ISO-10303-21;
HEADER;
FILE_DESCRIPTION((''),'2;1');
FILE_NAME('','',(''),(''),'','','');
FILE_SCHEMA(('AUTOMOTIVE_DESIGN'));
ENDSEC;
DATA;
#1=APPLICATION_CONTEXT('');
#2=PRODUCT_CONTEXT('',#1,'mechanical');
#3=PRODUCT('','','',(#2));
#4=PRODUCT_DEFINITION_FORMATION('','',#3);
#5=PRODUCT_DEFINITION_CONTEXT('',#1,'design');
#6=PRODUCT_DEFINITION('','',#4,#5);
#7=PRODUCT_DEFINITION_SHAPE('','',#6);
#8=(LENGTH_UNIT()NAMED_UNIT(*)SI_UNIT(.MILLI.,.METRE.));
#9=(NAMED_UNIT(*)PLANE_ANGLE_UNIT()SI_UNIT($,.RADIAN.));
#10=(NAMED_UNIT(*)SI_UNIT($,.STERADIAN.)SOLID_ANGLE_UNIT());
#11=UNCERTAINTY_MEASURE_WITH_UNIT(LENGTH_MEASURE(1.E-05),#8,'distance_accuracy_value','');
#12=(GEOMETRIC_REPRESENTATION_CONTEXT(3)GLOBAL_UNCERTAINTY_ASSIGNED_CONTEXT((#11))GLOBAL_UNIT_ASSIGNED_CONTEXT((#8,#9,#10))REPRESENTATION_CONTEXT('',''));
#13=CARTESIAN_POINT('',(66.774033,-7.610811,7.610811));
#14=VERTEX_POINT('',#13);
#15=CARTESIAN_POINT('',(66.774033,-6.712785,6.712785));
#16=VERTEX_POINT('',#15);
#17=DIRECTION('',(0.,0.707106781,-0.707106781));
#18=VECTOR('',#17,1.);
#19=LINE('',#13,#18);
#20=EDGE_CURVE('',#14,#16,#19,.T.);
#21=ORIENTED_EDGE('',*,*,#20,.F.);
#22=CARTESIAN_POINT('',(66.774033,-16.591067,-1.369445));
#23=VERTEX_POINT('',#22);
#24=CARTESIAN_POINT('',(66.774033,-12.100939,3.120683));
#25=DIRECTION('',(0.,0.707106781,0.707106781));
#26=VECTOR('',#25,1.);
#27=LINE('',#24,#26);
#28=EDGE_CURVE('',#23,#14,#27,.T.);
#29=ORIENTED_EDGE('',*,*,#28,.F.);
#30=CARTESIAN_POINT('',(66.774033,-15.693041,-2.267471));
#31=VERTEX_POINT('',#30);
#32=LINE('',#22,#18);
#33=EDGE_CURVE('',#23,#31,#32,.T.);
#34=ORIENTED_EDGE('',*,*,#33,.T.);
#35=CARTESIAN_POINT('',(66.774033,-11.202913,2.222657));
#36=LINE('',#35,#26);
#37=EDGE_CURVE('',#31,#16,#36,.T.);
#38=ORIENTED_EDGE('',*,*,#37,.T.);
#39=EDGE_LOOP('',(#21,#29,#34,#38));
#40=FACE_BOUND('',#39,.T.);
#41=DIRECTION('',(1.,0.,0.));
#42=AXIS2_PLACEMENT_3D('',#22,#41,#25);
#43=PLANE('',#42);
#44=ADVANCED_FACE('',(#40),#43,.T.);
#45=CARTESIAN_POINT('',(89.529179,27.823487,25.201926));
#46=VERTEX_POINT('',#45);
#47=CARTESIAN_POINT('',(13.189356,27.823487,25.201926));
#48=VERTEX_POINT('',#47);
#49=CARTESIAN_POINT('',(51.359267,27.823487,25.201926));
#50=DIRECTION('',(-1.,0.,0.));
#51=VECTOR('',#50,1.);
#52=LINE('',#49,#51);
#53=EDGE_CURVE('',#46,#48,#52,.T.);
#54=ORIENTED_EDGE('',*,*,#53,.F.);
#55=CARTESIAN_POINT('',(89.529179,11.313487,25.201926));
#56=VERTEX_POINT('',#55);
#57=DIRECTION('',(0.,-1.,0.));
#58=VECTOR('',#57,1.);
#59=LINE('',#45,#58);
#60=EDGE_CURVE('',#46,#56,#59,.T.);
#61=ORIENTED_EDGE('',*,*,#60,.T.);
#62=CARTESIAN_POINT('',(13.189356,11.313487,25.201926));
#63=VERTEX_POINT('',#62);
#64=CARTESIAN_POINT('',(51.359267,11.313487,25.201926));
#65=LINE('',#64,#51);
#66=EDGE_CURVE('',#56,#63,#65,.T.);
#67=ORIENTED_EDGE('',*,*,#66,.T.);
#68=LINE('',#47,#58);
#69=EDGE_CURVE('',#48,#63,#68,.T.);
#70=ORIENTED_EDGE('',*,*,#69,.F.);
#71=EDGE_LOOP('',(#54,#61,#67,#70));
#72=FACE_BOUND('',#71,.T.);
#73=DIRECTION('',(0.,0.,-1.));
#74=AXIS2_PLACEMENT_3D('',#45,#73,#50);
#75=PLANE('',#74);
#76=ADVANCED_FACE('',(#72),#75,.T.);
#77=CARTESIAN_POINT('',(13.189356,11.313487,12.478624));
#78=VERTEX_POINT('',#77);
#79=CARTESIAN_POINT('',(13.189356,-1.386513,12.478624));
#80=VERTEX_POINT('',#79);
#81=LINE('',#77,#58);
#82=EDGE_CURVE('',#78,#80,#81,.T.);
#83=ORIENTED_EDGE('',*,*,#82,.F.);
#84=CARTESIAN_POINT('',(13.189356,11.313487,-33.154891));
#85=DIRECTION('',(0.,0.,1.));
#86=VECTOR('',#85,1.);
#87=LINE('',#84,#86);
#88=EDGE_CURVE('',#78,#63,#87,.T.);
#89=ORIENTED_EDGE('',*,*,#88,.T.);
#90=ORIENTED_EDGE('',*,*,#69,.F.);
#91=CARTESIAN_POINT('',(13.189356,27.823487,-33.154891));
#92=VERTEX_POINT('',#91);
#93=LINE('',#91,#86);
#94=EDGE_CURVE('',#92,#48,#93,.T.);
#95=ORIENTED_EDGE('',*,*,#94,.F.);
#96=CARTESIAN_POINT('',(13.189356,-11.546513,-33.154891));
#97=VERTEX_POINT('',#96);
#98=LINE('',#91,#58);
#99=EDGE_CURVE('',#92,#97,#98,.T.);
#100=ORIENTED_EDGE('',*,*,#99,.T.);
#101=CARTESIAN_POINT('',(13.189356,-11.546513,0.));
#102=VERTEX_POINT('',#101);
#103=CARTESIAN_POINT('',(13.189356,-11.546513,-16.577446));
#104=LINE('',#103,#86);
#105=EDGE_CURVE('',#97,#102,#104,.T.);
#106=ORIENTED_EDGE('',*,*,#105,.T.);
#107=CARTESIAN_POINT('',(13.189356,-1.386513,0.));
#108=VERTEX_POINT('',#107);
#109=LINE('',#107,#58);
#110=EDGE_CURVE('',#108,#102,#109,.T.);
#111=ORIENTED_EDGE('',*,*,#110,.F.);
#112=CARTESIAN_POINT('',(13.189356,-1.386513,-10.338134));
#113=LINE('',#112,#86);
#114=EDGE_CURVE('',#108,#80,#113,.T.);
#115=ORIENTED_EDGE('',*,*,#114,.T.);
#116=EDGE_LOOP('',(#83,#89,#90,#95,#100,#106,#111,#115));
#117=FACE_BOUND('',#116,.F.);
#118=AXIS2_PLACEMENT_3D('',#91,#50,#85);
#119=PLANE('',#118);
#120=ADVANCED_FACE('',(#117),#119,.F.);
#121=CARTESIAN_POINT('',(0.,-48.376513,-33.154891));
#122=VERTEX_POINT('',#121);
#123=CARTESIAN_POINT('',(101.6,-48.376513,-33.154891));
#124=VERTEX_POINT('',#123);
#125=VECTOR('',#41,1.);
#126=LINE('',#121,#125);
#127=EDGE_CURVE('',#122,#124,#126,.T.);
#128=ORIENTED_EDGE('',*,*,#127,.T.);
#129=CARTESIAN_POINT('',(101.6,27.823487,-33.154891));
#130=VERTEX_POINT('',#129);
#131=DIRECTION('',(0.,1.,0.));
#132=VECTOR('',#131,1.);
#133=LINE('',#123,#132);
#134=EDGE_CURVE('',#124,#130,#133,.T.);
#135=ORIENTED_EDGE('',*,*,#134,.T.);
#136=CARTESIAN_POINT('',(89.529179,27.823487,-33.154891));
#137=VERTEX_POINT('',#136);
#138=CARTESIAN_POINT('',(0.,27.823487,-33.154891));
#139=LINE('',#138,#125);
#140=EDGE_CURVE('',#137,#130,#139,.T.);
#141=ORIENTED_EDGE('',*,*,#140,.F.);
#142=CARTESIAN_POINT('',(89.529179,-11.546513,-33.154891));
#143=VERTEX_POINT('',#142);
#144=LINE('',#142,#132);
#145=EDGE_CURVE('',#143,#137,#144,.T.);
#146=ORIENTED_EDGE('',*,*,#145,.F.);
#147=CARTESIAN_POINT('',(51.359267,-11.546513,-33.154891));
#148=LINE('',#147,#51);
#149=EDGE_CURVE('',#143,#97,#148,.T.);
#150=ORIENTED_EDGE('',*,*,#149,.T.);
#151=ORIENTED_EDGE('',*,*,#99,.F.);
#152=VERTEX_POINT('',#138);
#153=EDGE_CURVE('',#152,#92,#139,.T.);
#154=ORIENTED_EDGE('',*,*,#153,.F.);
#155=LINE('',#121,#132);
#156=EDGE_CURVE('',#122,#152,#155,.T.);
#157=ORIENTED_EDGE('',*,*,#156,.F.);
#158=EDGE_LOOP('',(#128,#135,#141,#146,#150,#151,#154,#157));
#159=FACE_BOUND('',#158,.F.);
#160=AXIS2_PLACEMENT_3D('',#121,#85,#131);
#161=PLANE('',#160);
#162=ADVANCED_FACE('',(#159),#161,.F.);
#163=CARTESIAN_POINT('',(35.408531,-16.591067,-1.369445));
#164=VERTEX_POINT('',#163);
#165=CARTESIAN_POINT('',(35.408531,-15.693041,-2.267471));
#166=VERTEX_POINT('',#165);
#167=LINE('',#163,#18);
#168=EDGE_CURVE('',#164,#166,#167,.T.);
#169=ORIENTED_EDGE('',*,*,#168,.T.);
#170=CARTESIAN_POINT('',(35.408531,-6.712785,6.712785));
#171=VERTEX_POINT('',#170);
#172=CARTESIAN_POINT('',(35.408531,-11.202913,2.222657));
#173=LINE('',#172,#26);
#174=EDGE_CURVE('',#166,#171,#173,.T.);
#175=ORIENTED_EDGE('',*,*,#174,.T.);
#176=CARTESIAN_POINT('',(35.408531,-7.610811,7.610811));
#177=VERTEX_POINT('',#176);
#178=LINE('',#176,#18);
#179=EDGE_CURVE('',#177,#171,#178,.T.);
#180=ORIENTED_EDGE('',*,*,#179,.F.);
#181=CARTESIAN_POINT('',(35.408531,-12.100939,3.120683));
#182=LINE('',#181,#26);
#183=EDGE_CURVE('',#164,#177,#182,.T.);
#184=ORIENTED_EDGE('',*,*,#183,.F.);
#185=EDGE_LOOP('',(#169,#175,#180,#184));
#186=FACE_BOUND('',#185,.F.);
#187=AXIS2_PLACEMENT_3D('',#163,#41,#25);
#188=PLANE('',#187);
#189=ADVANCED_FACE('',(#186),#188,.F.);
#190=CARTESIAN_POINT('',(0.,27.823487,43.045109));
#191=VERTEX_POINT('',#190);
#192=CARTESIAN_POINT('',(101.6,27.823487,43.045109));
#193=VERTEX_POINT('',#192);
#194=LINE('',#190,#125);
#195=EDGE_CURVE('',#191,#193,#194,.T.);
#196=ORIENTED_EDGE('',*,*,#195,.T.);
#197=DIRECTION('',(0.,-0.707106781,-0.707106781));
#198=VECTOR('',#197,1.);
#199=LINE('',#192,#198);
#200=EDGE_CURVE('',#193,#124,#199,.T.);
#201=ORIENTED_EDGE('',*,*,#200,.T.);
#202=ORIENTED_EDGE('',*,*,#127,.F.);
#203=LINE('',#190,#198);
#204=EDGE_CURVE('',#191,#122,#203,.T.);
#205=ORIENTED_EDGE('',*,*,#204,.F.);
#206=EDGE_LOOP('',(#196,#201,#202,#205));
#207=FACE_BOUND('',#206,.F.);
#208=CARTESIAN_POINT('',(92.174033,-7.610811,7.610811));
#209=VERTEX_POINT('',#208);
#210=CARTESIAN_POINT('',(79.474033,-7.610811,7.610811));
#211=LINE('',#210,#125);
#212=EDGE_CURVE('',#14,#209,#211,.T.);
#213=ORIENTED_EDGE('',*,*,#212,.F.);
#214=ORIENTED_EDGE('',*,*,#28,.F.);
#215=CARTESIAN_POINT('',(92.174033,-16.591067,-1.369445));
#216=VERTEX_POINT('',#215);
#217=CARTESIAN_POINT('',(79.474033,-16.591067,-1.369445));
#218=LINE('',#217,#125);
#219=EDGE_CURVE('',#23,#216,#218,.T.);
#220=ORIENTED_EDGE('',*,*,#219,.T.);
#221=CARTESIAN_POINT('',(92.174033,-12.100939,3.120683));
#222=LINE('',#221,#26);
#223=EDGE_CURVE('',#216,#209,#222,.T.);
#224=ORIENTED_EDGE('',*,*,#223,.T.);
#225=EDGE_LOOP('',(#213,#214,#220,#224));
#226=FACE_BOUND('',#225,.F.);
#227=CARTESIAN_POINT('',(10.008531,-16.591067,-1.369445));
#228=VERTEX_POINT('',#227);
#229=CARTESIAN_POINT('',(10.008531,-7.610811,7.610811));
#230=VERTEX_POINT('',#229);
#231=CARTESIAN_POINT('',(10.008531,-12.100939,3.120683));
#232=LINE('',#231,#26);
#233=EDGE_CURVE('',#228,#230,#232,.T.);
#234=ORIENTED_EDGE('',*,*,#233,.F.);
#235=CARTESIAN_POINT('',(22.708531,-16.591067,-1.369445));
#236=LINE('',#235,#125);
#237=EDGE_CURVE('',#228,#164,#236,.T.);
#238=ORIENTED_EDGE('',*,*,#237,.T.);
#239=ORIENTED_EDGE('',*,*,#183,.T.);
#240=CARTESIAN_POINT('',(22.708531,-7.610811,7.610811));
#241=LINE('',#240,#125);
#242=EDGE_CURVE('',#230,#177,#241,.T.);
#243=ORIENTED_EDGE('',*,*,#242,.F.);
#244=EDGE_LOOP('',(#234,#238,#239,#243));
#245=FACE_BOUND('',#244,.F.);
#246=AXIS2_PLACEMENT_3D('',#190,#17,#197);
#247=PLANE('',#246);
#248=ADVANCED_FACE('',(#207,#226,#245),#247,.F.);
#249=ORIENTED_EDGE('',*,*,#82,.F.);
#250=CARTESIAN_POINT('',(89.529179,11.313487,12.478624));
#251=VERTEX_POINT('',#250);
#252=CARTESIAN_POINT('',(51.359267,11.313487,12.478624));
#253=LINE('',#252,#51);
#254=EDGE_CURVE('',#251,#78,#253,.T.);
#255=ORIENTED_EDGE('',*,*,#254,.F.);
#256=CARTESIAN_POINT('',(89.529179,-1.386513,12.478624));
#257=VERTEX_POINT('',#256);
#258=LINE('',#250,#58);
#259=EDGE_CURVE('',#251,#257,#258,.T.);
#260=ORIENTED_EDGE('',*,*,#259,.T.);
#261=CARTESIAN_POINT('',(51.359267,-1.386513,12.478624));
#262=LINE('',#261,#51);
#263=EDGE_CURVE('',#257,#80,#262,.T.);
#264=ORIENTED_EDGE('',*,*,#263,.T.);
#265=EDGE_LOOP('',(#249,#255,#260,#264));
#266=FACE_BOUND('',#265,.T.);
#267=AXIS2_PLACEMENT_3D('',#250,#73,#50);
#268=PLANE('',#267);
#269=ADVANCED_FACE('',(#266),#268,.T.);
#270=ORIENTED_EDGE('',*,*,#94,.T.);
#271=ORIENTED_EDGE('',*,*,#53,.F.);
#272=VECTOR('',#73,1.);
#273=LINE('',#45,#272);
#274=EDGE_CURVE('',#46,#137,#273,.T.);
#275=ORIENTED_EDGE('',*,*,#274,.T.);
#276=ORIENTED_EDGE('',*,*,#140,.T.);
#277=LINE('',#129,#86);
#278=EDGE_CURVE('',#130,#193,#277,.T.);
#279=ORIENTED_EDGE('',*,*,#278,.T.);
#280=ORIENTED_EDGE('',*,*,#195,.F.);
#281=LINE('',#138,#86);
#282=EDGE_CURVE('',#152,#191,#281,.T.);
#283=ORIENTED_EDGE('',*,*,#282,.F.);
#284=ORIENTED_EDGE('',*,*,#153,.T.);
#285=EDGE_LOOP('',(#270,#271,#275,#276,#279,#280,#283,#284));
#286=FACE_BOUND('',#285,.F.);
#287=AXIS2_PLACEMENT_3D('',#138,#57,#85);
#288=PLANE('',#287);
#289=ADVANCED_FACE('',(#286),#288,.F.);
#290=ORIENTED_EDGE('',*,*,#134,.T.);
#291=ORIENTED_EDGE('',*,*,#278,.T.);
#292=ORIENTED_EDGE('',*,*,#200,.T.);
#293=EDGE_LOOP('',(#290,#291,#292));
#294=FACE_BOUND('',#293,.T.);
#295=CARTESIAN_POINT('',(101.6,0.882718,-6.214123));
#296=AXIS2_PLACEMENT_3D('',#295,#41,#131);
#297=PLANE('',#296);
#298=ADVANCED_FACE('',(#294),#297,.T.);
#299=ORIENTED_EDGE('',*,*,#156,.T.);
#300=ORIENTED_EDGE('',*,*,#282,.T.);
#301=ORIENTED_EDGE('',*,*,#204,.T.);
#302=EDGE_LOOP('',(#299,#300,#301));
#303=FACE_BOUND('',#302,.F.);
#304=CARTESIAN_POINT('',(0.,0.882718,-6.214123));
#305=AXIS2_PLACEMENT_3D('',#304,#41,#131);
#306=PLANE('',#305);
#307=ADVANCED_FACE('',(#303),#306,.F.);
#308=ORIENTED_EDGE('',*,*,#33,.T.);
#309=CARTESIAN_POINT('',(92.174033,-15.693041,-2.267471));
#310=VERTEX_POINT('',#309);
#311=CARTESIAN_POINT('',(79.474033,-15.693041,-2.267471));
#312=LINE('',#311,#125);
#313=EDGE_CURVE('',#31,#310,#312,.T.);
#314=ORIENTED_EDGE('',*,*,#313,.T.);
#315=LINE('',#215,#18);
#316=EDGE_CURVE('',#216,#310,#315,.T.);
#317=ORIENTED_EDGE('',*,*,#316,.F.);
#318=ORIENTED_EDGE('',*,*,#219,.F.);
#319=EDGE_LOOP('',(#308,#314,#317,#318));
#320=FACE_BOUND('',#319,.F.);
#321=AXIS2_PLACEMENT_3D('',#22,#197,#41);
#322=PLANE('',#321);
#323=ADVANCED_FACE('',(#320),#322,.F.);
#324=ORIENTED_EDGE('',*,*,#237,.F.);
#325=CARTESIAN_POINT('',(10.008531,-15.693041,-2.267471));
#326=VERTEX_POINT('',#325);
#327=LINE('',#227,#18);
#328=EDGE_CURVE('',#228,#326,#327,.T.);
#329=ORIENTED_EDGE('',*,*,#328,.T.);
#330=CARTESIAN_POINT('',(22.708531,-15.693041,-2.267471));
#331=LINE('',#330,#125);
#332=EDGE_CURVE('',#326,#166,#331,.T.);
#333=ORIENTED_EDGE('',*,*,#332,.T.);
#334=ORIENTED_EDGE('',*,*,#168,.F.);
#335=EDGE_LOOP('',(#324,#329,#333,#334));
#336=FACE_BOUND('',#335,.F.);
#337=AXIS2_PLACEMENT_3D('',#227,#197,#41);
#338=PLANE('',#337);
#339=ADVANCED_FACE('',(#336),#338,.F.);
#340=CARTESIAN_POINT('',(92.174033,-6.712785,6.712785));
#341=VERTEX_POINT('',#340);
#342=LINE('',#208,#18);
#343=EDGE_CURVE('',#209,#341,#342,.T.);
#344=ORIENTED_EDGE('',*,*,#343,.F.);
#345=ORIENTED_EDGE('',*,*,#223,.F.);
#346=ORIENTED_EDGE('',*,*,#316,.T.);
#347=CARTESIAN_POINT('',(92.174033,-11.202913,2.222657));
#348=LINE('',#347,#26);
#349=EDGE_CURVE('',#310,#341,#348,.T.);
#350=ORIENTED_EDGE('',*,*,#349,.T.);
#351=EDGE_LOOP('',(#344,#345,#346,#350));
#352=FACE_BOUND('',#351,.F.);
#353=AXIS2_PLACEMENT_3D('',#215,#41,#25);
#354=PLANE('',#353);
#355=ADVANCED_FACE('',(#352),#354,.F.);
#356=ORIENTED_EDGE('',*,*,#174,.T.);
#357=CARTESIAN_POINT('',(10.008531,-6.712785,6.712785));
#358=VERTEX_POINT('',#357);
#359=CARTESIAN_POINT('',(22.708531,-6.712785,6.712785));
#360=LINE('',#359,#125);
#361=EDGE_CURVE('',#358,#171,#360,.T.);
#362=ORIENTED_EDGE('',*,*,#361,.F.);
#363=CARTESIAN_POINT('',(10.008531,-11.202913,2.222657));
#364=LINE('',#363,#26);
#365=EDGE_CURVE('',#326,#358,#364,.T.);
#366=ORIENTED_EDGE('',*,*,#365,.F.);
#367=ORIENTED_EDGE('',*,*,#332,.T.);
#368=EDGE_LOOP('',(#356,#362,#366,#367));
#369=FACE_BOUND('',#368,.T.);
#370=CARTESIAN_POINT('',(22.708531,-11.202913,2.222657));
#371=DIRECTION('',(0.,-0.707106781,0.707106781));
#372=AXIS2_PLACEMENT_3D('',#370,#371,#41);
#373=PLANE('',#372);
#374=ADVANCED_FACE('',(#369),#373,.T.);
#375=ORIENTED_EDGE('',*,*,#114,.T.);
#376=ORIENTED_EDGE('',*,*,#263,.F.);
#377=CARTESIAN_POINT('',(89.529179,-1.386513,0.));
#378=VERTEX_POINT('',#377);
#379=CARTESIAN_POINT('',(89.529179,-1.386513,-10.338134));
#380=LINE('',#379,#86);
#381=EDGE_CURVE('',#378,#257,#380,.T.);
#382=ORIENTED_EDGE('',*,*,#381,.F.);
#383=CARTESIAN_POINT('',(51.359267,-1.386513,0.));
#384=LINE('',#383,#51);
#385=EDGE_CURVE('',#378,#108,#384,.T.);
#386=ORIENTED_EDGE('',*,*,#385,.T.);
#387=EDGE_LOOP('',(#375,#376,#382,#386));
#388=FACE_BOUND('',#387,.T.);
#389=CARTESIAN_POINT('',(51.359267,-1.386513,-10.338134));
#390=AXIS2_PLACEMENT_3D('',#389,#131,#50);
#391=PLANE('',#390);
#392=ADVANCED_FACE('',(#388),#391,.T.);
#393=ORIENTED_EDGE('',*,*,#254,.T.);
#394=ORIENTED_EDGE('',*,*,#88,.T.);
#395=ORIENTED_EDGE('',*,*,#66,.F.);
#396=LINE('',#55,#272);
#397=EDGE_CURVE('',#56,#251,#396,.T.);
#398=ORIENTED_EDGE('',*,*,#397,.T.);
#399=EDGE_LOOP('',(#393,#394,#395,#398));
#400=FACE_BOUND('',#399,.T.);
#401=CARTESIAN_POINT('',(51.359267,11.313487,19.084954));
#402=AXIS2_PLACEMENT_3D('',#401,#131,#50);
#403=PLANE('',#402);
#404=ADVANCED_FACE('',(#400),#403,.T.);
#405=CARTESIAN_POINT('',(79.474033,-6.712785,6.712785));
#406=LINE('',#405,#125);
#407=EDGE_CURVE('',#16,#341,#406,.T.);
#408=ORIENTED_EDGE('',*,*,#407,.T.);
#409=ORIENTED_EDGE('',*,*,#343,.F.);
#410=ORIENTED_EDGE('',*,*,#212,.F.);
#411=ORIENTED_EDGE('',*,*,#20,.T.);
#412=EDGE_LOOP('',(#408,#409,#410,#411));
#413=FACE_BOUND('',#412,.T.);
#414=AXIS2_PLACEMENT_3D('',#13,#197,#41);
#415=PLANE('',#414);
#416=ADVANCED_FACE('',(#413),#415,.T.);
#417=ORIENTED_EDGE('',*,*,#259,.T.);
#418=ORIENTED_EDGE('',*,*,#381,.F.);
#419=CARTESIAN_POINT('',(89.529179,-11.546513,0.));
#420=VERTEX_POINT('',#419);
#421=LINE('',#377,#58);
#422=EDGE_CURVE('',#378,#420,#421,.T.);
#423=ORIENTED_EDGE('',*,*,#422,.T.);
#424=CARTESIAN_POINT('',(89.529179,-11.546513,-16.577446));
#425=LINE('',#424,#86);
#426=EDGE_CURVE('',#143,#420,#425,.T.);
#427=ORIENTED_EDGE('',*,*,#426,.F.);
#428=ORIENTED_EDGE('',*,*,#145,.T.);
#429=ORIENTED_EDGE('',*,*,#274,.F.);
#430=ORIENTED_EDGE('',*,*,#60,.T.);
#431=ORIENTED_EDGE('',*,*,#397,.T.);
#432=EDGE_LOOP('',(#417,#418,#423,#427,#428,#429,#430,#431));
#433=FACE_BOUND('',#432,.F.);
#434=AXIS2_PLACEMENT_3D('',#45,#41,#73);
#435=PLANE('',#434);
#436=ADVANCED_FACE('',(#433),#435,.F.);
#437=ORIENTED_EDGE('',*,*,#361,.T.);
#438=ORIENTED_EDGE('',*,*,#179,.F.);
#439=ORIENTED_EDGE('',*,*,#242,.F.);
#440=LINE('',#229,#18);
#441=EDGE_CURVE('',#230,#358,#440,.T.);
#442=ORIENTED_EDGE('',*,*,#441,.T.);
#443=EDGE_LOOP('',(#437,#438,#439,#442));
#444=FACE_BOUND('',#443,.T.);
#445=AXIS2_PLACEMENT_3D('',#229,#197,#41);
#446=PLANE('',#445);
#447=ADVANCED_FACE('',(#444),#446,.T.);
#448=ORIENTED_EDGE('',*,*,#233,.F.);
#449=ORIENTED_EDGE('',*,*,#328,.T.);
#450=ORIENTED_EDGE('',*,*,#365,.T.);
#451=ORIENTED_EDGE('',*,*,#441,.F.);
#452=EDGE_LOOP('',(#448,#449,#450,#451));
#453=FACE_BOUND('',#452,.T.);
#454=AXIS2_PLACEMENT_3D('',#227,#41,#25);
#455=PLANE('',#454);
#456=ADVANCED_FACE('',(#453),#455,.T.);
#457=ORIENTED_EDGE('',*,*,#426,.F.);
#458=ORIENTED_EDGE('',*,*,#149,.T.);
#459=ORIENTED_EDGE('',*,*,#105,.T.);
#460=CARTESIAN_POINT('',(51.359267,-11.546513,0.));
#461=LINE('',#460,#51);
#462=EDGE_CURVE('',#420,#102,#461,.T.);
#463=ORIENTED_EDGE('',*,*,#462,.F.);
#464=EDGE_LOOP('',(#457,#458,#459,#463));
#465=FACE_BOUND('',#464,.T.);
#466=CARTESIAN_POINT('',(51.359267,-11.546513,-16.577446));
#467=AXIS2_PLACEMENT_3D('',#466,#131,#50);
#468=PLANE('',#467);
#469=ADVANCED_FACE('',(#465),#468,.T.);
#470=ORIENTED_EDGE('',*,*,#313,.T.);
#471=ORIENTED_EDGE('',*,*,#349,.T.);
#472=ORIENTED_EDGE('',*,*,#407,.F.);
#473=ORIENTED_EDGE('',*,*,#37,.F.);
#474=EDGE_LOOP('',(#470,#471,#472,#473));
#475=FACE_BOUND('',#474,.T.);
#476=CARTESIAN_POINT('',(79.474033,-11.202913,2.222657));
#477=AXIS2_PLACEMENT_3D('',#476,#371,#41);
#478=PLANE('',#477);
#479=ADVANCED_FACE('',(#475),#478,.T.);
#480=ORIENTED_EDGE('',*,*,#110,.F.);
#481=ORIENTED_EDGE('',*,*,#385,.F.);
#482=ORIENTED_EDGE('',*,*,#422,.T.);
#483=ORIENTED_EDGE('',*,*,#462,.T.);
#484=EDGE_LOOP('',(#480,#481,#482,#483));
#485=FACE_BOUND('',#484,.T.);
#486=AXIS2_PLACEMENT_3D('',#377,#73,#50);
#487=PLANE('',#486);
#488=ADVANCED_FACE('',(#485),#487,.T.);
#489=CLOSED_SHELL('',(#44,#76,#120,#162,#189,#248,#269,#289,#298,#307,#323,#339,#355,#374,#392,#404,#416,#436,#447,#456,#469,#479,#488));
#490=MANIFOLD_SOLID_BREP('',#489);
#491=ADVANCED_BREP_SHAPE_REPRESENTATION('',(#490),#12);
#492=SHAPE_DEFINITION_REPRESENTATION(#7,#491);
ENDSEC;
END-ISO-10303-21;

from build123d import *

# Parameters (mm, degrees)
F1_DEPTH = 101.6
F2_W     = 25.4
F2_H     = 12.7
F3_DEPTH = 1.27
F4_W     = 76.3398231938
F4_H     = 12.2339436784
F4_H_2   = 12.9679823294
F4_H_3   = 10.0934545674
F4_H_4   = 11.5307184484
F5_DEPTH = 16.51
F6_W     = 76.3398231938
F6_H     = 45.6335150034
F7_DEPTH = 12.7
F8_W     = 76.3398231938
F8_H     = 33.1548914642
F9_DEPTH = 10.16


with BuildPart() as f1:
    # F0 (on Right) → F1 (new body)
    with BuildSketch(Plane.YZ):
        Polygon((27.8234868258, 43.0451085358), (-48.3765131742, -33.1548914642), (27.8234868258, -33.1548914642), align=None)
    extrude(amount=F1_DEPTH)

    # F2 (on face) → F3 (cut)
    with BuildSketch(Plane(origin=(0, -7.610810855, 7.610810855), x_dir=(1, 0, 0), z_dir=(0, -0.7071067812, 0.7071067812))):
        with Locations((22.7085306913, -6.35)):
            Rectangle(F2_W, F2_H)
        with Locations((79.47403301, -6.35)):
            Rectangle(F2_W, F2_H)
    extrude(amount=-F3_DEPTH, mode=Mode.SUBTRACT)

    # F4 (on face) → F5 (cut)
    with BuildSketch(Plane(origin=(0, 27.8234868258, 0), x_dir=(-1, 0, 0), z_dir=(0, 1, 0))):
        with Locations((-51.3592674397, 19.0849541686)):
            Rectangle(F4_W, F4_H)
        with Locations((-51.3592674397, 6.4839911647)):
            Rectangle(F4_W, F4_H_2)
        with Locations((-51.3592674397, -5.0467272837)):
            Rectangle(F4_W, F4_H_3)
        with Locations((-51.3592674397, -15.8588137916)):
            Rectangle(F4_W, F4_H_4)
        with Locations((-51.3592674397, -27.38953224)):
            Rectangle(F4_W, F4_H_4)
    extrude(amount=-F5_DEPTH, mode=Mode.SUBTRACT)

    # F6 (on face) → F7 (cut)
    with BuildSketch(Plane(origin=(0, 11.3134868258, 0), x_dir=(-1, 0, 0), z_dir=(0, 1, 0))):
        with Locations((-51.3592674397, -10.3381339625)):
            Rectangle(F6_W, F6_H)
    extrude(amount=-F7_DEPTH, mode=Mode.SUBTRACT)

    # F8 (on face) → F9 (cut)
    with BuildSketch(Plane(origin=(0, -1.3865131742, 0), x_dir=(-1, 0, 0), z_dir=(0, 1, 0))):
        with Locations((-51.3592674397, -16.5774457321)):
            Rectangle(F8_W, F8_H)
    extrude(amount=-F9_DEPTH, mode=Mode.SUBTRACT)


solid = f1.part
